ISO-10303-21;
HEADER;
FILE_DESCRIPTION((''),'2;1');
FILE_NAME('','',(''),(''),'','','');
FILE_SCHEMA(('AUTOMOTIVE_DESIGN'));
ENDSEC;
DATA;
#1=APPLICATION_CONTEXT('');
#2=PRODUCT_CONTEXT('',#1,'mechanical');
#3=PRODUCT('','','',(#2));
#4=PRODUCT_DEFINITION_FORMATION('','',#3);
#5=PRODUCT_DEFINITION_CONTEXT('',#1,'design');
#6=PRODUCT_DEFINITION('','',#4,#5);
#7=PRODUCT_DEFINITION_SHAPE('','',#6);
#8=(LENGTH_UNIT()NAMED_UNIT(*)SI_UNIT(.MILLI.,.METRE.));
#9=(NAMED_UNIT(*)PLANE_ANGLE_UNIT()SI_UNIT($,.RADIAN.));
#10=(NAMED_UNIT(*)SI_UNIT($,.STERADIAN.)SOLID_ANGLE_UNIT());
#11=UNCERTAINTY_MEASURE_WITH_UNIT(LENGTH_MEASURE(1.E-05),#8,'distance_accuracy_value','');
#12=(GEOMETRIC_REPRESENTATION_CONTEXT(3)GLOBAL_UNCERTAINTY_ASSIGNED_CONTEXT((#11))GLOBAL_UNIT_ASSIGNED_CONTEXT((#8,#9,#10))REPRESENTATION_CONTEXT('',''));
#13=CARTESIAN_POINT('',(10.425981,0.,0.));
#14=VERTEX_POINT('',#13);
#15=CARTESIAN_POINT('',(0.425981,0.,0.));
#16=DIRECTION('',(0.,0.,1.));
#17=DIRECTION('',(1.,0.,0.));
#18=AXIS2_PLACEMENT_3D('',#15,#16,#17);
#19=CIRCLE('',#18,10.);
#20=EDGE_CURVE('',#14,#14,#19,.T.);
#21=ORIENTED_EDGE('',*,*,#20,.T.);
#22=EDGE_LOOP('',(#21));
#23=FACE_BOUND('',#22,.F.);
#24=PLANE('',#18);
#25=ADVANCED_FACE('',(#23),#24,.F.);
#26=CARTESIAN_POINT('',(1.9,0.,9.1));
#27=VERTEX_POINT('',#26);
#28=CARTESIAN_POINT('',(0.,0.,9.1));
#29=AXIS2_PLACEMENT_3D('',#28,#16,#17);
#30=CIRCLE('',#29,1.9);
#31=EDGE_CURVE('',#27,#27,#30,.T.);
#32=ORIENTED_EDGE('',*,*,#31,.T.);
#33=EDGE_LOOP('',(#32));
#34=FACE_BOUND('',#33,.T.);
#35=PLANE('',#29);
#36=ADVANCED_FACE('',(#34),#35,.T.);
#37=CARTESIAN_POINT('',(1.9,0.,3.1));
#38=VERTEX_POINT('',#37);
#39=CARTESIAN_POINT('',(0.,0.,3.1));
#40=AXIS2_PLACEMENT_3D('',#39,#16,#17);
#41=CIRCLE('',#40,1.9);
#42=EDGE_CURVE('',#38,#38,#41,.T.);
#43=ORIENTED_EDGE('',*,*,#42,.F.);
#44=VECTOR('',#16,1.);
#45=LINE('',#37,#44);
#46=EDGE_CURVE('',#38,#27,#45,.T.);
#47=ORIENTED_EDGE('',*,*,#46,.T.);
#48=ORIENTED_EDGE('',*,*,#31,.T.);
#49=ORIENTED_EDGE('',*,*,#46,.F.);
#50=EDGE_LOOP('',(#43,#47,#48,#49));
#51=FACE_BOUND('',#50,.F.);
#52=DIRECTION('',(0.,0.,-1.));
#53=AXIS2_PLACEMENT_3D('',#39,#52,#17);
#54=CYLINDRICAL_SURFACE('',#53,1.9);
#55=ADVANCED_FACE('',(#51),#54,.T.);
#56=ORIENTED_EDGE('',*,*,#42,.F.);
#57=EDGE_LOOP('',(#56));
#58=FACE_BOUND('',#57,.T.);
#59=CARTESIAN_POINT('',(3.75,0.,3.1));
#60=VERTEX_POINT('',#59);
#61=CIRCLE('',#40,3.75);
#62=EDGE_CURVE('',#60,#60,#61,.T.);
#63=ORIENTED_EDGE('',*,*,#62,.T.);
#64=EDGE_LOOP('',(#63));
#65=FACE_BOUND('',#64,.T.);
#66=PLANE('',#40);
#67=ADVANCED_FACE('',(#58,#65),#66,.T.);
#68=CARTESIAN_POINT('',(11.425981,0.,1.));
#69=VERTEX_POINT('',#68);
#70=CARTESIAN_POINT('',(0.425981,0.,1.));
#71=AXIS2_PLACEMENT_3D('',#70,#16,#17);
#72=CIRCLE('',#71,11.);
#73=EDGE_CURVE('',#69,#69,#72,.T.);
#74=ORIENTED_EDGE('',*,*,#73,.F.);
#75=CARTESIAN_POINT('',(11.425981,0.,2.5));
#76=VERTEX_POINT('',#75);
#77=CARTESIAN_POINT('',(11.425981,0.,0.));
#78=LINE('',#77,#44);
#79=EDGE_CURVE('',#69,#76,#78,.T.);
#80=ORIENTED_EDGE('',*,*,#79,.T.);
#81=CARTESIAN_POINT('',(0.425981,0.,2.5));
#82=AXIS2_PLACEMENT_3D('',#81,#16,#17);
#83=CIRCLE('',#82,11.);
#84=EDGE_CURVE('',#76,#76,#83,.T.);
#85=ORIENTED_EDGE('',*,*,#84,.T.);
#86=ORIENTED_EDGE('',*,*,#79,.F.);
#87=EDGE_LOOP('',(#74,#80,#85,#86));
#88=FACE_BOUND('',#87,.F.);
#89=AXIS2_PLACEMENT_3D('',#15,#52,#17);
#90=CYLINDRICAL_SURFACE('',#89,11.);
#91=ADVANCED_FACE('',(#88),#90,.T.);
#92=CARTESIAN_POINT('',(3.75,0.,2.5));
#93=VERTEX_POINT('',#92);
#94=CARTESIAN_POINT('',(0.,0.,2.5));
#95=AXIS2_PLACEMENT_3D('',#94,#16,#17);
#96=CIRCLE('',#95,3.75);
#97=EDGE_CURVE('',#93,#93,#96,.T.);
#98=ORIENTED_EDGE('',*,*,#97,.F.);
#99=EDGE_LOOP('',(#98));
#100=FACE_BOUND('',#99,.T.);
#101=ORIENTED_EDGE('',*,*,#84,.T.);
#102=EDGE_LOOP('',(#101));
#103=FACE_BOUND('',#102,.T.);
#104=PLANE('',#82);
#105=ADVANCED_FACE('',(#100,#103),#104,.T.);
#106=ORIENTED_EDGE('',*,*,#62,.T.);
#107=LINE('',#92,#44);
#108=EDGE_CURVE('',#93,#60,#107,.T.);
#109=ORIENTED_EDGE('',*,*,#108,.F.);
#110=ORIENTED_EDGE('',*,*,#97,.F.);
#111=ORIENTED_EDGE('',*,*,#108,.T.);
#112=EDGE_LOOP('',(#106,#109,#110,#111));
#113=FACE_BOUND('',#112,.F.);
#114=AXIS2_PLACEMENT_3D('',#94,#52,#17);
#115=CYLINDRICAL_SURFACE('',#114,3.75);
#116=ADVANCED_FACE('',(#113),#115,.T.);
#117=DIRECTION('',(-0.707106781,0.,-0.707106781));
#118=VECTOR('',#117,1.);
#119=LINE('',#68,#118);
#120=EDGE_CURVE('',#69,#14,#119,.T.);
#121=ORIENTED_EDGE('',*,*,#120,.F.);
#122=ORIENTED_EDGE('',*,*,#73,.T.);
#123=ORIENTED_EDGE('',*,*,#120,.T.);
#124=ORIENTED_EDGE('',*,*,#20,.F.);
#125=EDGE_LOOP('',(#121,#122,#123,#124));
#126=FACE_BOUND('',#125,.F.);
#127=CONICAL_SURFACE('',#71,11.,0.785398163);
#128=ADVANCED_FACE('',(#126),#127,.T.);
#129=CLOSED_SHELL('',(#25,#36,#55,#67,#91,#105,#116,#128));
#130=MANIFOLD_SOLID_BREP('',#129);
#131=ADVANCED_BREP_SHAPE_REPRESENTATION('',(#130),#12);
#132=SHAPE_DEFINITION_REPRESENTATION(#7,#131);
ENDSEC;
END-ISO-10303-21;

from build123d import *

# Parameters (mm, degrees)
F0_R     = 11
F1_DEPTH = 2.5
F2_SIZE2 = 1
F2_SIZE  = 1
F3_R     = 3.75
F4_DEPTH = 0.6
F5_R     = 1.9
F6_DEPTH = 6


with BuildPart() as f1:
    # F0 (on Top) → F1 (new body)
    with BuildSketch(Plane.XY):
        with Locations((0.425981, 0)):
            Circle(F0_R)
    extrude(amount=F1_DEPTH)

    # F2
    f2_edges = [f1.edges().sort_by_distance(p)[0] for p in [
        (-10.574019, 0, 0),
    ]]
    chamfer(f2_edges, length=F2_SIZE, length2=F2_SIZE2)

    # F3 (on face) → F4 (join)
    with BuildSketch(Plane.XY.offset(2.5)):
        Circle(F3_R)
    extrude(amount=F4_DEPTH)

    # F5 (on face) → F6 (join)
    with BuildSketch(Plane.XY.offset(3.1)):
        Circle(F5_R)
    extrude(amount=F6_DEPTH)


solid = f1.part
